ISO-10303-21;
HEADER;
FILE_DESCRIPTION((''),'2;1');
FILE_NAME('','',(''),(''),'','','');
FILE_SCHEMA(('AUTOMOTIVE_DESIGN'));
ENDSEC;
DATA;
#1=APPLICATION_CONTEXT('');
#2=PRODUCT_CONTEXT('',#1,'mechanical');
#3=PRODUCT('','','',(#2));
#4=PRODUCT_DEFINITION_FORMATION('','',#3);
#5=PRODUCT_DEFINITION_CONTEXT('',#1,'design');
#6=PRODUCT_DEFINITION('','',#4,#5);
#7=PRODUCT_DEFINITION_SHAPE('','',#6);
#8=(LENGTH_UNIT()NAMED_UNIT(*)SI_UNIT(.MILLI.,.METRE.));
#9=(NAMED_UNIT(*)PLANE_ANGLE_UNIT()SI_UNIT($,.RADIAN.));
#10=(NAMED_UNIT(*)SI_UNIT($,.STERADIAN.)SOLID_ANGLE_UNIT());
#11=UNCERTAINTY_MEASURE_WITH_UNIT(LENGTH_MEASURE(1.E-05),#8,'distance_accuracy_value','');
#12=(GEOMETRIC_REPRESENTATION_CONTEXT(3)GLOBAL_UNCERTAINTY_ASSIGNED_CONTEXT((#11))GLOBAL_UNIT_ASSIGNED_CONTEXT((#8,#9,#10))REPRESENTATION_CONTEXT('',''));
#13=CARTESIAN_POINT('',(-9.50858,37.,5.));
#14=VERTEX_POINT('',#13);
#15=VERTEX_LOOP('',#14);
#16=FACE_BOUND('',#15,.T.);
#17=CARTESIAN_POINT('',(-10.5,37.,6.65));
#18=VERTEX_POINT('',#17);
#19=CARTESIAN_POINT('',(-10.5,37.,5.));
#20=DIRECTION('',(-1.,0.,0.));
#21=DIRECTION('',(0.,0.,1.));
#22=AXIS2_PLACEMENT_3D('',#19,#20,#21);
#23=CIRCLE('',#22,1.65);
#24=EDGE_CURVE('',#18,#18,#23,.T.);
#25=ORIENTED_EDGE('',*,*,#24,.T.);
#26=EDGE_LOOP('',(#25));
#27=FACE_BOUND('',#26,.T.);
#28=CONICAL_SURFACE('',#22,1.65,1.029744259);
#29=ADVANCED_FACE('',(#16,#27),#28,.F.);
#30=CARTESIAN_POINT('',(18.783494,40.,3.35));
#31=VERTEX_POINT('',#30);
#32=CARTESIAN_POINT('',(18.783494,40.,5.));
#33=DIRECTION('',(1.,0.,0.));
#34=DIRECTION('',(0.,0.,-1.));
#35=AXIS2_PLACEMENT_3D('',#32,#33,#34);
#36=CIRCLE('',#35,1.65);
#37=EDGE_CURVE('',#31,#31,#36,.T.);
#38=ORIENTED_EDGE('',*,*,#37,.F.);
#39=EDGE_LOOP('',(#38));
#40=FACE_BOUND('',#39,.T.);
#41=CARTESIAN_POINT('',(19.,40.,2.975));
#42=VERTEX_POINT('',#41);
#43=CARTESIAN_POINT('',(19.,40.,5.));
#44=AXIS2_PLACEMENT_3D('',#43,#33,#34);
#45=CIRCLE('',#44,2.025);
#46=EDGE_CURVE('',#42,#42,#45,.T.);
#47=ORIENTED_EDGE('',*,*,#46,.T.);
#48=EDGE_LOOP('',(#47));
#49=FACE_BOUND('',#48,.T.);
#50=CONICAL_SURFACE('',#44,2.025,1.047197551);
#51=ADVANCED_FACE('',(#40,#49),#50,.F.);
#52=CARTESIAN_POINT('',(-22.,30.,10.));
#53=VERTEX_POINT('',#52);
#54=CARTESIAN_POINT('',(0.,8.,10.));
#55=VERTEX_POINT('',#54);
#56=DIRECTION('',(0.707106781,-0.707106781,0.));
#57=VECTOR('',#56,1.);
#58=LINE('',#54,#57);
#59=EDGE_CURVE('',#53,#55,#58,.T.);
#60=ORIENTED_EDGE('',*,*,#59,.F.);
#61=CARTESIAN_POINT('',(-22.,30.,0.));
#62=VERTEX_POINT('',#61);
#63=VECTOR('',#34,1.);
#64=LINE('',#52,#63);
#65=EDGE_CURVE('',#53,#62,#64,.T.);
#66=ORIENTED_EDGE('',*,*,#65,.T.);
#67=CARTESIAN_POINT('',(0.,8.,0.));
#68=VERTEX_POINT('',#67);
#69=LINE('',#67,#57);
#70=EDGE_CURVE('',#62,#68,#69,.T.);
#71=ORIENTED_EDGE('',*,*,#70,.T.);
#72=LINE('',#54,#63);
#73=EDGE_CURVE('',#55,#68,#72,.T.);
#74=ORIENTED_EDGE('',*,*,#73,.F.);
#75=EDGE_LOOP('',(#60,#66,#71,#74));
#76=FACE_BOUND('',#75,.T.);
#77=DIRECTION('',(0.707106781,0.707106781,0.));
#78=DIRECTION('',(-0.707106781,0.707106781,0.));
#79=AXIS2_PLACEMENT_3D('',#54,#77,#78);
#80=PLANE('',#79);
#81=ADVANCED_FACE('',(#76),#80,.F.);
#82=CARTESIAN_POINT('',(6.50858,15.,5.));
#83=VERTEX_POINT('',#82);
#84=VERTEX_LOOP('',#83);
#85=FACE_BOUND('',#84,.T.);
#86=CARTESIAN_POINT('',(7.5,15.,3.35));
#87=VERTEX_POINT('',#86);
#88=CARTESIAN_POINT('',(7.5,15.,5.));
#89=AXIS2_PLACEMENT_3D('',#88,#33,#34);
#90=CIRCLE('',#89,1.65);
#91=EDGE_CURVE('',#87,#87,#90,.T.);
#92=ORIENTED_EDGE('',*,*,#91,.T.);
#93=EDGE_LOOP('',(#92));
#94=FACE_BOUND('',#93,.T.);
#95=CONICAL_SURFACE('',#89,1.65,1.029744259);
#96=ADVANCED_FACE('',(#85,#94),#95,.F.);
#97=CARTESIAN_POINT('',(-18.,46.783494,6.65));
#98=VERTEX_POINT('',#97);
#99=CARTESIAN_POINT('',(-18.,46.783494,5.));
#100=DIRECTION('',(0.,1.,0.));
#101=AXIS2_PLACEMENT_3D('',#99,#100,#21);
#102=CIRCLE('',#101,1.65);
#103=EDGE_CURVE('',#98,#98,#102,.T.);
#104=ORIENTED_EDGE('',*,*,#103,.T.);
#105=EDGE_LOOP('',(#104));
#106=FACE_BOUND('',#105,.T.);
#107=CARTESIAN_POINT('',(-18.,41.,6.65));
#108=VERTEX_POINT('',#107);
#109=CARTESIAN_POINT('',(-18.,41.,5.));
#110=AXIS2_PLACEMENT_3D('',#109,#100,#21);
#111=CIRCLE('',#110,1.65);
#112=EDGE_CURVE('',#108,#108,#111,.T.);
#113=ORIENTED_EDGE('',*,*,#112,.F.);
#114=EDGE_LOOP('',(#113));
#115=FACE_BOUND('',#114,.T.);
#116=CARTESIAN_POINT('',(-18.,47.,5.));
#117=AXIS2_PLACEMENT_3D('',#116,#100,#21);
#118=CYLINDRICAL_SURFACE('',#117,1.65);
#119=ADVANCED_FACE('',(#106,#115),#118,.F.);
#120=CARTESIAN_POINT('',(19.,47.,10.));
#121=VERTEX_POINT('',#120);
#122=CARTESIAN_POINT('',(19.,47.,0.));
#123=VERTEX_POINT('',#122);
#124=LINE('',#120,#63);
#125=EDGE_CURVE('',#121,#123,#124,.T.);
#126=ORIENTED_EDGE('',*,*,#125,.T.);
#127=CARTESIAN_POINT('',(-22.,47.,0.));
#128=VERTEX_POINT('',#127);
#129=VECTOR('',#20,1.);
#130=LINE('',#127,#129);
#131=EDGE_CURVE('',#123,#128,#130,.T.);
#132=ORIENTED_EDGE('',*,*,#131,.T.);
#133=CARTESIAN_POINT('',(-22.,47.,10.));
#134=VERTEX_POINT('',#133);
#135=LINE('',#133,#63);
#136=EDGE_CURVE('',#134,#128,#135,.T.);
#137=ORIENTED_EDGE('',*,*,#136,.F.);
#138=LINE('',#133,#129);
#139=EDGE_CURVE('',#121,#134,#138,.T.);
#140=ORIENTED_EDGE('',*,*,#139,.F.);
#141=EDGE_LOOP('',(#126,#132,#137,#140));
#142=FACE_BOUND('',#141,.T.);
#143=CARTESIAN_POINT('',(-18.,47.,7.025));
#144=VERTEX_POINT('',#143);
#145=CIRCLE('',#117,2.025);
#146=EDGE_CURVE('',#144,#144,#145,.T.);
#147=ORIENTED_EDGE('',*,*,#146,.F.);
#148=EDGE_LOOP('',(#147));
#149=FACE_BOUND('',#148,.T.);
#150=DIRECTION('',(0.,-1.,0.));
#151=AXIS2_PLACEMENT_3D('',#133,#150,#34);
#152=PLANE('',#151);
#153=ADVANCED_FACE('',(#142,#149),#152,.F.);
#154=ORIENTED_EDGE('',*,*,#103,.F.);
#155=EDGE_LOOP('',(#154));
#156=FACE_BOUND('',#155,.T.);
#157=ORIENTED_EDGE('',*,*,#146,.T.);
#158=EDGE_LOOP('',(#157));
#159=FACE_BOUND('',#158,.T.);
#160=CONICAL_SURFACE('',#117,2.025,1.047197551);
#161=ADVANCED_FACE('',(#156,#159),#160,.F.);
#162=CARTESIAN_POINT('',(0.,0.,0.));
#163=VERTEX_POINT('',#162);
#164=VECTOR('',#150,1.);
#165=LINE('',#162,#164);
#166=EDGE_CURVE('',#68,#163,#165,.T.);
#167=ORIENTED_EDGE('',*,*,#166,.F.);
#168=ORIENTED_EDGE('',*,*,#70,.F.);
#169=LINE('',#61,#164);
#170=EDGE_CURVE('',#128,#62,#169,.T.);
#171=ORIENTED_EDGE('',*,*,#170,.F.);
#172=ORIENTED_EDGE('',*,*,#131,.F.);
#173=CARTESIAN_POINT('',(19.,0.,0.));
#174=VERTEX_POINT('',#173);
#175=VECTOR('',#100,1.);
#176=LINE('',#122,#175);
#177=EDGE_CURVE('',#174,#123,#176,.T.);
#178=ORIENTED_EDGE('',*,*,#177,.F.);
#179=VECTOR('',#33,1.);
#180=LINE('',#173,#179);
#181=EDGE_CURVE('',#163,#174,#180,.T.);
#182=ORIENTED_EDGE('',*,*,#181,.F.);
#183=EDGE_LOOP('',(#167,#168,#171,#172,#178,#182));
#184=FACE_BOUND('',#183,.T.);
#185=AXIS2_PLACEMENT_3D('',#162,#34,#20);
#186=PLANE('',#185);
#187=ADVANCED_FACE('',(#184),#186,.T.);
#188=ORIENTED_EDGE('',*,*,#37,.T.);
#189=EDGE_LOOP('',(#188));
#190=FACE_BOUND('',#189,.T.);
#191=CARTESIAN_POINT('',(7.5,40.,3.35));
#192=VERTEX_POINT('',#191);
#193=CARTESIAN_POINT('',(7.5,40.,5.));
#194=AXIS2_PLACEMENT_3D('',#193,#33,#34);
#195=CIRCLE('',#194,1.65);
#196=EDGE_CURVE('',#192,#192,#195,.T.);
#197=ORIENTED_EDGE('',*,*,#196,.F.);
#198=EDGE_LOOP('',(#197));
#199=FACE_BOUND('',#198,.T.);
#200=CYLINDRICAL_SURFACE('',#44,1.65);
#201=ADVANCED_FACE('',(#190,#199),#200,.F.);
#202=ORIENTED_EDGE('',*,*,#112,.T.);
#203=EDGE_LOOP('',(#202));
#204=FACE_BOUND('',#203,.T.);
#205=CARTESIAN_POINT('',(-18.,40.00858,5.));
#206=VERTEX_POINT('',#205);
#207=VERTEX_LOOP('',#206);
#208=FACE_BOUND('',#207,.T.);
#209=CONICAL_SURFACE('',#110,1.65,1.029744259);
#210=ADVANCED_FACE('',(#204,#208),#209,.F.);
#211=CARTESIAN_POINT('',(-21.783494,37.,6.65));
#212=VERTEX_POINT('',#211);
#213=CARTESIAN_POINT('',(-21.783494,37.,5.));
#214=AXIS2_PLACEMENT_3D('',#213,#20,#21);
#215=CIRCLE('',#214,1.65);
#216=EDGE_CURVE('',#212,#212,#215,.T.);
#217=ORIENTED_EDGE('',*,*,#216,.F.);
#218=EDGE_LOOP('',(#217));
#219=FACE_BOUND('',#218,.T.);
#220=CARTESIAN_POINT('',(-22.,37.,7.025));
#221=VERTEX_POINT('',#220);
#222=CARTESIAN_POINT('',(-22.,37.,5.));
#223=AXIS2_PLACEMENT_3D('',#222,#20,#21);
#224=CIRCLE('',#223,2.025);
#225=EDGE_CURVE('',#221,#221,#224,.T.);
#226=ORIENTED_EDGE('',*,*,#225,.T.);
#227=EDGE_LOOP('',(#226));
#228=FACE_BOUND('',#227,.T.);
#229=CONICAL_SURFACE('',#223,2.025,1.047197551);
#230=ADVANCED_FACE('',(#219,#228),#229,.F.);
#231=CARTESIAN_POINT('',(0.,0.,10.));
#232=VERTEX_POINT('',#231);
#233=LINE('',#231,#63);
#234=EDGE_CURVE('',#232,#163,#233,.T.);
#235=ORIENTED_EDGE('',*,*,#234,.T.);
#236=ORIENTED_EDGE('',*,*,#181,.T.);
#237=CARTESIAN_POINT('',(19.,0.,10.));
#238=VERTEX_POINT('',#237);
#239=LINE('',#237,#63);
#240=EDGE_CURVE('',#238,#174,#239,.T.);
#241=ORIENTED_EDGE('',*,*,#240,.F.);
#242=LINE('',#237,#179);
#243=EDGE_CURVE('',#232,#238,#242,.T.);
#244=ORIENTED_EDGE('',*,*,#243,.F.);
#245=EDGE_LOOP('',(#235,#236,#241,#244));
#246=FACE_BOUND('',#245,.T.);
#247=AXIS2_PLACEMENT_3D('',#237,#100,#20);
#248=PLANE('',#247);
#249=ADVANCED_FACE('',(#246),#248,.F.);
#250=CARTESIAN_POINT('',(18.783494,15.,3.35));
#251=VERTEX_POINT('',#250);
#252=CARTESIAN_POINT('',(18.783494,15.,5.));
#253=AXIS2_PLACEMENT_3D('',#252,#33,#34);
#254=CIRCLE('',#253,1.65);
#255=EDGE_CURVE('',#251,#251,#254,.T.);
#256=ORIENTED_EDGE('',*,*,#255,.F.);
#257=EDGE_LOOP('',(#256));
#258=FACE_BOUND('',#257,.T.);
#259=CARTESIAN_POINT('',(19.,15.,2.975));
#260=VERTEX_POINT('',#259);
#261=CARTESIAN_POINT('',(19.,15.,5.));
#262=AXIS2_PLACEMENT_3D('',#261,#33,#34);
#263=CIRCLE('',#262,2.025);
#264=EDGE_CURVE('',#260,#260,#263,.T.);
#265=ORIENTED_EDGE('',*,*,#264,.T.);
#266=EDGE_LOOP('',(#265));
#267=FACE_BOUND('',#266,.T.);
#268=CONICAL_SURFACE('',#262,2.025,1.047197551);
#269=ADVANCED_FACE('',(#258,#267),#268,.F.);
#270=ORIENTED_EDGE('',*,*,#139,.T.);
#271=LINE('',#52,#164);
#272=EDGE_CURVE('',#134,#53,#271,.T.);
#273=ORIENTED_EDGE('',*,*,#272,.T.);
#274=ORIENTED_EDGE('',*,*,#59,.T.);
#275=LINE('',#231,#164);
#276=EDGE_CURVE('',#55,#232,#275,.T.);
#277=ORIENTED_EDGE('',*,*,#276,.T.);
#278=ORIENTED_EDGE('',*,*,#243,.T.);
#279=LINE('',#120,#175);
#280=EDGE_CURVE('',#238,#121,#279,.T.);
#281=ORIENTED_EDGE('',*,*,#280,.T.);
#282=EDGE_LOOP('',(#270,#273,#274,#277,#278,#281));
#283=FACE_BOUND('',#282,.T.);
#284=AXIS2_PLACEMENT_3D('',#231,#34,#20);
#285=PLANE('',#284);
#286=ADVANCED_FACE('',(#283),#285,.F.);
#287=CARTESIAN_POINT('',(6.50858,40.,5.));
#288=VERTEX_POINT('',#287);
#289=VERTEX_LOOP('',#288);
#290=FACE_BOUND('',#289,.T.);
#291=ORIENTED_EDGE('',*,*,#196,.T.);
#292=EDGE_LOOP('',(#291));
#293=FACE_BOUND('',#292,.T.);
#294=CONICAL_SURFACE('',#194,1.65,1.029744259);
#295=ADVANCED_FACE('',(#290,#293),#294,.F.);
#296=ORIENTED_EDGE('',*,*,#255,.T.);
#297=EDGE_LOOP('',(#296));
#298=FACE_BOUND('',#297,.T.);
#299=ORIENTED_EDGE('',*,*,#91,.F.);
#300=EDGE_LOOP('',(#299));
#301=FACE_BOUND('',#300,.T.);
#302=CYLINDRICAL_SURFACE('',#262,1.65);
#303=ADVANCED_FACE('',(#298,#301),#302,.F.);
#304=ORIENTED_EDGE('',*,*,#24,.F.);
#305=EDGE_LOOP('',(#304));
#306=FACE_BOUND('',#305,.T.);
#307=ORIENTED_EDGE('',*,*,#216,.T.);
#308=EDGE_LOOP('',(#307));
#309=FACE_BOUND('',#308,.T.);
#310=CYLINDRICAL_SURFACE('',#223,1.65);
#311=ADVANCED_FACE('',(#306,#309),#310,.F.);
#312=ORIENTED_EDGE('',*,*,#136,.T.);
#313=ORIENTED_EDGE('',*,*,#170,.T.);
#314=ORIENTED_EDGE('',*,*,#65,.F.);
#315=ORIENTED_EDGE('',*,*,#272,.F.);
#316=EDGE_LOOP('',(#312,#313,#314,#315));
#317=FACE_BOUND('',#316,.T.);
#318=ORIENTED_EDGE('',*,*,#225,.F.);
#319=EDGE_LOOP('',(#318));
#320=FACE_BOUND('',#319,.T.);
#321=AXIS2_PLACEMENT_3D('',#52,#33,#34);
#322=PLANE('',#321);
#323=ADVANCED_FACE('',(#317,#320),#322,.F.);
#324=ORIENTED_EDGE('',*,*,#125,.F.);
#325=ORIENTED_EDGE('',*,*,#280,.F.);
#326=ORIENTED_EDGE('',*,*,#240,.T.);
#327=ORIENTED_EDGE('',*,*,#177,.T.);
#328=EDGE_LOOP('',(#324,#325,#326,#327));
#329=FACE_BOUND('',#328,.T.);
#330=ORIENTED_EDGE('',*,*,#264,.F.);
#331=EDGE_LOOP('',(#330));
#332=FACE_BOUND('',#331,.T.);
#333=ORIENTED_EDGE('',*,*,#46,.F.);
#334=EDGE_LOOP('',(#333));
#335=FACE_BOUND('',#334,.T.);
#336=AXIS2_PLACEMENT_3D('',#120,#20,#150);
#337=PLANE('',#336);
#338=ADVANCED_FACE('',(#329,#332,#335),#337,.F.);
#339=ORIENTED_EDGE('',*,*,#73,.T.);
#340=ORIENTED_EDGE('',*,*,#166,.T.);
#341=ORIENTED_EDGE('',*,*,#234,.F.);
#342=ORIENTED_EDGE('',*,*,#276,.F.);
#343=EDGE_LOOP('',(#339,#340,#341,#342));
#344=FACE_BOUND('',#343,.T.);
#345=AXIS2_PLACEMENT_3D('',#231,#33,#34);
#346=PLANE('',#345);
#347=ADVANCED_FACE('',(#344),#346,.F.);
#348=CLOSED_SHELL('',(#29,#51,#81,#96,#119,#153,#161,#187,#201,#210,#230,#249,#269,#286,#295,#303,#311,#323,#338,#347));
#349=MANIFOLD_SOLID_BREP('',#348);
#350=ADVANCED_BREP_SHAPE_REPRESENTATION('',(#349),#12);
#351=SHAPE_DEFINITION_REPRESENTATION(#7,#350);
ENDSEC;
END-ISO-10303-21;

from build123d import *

# Parameters (mm, degrees)
EXTRUDE_1_DEPTH             = 10
HOLE_WIZARD_M41_D           = 3.3
HOLE_WIZARD_M41_DEPTH       = 11.5
HOLE_WIZARD_M41_CSINK_D     = 4.05
HOLE_WIZARD_M41_CSINK_ANGLE = 120
HOLE_WIZARD_M41_TIP         = 0.991420021
HOLE_WIZARD_M42_D           = 3.3
HOLE_WIZARD_M42_DEPTH       = 11.5
HOLE_WIZARD_M42_CSINK_D     = 4.05
HOLE_WIZARD_M42_CSINK_ANGLE = 120
HOLE_WIZARD_M42_TIP         = 0.991420021
HOLE_WIZARD_M43_D           = 3.3
HOLE_WIZARD_M43_DEPTH       = 6
HOLE_WIZARD_M43_CSINK_D     = 4.05
HOLE_WIZARD_M43_CSINK_ANGLE = 120
HOLE_WIZARD_M43_TIP         = 0.991420021


with BuildPart() as part:
    # Эскиз1 → Бобышка-Вытянуть1 (new body)
    with BuildSketch(Plane.XY):
        Polygon((0, 0), (0, 8), (-22, 30), (-22, 47), (19, 47), (19, 0), align=None)
    extrude(amount=EXTRUDE_1_DEPTH)

    # Отверстие обработанное метчиком M41
    with Locations(Plane(origin=(19, 0, 0), x_dir=(0, 0, -1), z_dir=(1, 0, 0))):
        with Locations((-5, 40), (-5, 15)):
            CounterSinkHole(HOLE_WIZARD_M41_D / 2, HOLE_WIZARD_M41_CSINK_D / 2, depth=HOLE_WIZARD_M41_DEPTH, counter_sink_angle=HOLE_WIZARD_M41_CSINK_ANGLE)
            with Locations((0, 0, -(HOLE_WIZARD_M41_DEPTH + HOLE_WIZARD_M41_TIP / 2))):  # 118° drill point
                Cone(0, HOLE_WIZARD_M41_D / 2, HOLE_WIZARD_M41_TIP, mode=Mode.SUBTRACT)

    # Отверстие обработанное метчиком M42
    with Locations(Plane.ZY.offset(22)):
        with Locations((5, 37)):
            CounterSinkHole(HOLE_WIZARD_M42_D / 2, HOLE_WIZARD_M42_CSINK_D / 2, depth=HOLE_WIZARD_M42_DEPTH, counter_sink_angle=HOLE_WIZARD_M42_CSINK_ANGLE)
            with Locations((0, 0, -(HOLE_WIZARD_M42_DEPTH + HOLE_WIZARD_M42_TIP / 2))):  # 118° drill point
                Cone(0, HOLE_WIZARD_M42_D / 2, HOLE_WIZARD_M42_TIP, mode=Mode.SUBTRACT)

    # Отверстие обработанное метчиком M43
    with Locations(Plane(origin=(0, 47, 0), x_dir=(-1, 0, 0), z_dir=(0, 1, 0))):
        with Locations((18, 5)):
            CounterSinkHole(HOLE_WIZARD_M43_D / 2, HOLE_WIZARD_M43_CSINK_D / 2, depth=HOLE_WIZARD_M43_DEPTH, counter_sink_angle=HOLE_WIZARD_M43_CSINK_ANGLE)
            with Locations((0, 0, -(HOLE_WIZARD_M43_DEPTH + HOLE_WIZARD_M43_TIP / 2))):  # 118° drill point
                Cone(0, HOLE_WIZARD_M43_D / 2, HOLE_WIZARD_M43_TIP, mode=Mode.SUBTRACT)


solid = part.part
